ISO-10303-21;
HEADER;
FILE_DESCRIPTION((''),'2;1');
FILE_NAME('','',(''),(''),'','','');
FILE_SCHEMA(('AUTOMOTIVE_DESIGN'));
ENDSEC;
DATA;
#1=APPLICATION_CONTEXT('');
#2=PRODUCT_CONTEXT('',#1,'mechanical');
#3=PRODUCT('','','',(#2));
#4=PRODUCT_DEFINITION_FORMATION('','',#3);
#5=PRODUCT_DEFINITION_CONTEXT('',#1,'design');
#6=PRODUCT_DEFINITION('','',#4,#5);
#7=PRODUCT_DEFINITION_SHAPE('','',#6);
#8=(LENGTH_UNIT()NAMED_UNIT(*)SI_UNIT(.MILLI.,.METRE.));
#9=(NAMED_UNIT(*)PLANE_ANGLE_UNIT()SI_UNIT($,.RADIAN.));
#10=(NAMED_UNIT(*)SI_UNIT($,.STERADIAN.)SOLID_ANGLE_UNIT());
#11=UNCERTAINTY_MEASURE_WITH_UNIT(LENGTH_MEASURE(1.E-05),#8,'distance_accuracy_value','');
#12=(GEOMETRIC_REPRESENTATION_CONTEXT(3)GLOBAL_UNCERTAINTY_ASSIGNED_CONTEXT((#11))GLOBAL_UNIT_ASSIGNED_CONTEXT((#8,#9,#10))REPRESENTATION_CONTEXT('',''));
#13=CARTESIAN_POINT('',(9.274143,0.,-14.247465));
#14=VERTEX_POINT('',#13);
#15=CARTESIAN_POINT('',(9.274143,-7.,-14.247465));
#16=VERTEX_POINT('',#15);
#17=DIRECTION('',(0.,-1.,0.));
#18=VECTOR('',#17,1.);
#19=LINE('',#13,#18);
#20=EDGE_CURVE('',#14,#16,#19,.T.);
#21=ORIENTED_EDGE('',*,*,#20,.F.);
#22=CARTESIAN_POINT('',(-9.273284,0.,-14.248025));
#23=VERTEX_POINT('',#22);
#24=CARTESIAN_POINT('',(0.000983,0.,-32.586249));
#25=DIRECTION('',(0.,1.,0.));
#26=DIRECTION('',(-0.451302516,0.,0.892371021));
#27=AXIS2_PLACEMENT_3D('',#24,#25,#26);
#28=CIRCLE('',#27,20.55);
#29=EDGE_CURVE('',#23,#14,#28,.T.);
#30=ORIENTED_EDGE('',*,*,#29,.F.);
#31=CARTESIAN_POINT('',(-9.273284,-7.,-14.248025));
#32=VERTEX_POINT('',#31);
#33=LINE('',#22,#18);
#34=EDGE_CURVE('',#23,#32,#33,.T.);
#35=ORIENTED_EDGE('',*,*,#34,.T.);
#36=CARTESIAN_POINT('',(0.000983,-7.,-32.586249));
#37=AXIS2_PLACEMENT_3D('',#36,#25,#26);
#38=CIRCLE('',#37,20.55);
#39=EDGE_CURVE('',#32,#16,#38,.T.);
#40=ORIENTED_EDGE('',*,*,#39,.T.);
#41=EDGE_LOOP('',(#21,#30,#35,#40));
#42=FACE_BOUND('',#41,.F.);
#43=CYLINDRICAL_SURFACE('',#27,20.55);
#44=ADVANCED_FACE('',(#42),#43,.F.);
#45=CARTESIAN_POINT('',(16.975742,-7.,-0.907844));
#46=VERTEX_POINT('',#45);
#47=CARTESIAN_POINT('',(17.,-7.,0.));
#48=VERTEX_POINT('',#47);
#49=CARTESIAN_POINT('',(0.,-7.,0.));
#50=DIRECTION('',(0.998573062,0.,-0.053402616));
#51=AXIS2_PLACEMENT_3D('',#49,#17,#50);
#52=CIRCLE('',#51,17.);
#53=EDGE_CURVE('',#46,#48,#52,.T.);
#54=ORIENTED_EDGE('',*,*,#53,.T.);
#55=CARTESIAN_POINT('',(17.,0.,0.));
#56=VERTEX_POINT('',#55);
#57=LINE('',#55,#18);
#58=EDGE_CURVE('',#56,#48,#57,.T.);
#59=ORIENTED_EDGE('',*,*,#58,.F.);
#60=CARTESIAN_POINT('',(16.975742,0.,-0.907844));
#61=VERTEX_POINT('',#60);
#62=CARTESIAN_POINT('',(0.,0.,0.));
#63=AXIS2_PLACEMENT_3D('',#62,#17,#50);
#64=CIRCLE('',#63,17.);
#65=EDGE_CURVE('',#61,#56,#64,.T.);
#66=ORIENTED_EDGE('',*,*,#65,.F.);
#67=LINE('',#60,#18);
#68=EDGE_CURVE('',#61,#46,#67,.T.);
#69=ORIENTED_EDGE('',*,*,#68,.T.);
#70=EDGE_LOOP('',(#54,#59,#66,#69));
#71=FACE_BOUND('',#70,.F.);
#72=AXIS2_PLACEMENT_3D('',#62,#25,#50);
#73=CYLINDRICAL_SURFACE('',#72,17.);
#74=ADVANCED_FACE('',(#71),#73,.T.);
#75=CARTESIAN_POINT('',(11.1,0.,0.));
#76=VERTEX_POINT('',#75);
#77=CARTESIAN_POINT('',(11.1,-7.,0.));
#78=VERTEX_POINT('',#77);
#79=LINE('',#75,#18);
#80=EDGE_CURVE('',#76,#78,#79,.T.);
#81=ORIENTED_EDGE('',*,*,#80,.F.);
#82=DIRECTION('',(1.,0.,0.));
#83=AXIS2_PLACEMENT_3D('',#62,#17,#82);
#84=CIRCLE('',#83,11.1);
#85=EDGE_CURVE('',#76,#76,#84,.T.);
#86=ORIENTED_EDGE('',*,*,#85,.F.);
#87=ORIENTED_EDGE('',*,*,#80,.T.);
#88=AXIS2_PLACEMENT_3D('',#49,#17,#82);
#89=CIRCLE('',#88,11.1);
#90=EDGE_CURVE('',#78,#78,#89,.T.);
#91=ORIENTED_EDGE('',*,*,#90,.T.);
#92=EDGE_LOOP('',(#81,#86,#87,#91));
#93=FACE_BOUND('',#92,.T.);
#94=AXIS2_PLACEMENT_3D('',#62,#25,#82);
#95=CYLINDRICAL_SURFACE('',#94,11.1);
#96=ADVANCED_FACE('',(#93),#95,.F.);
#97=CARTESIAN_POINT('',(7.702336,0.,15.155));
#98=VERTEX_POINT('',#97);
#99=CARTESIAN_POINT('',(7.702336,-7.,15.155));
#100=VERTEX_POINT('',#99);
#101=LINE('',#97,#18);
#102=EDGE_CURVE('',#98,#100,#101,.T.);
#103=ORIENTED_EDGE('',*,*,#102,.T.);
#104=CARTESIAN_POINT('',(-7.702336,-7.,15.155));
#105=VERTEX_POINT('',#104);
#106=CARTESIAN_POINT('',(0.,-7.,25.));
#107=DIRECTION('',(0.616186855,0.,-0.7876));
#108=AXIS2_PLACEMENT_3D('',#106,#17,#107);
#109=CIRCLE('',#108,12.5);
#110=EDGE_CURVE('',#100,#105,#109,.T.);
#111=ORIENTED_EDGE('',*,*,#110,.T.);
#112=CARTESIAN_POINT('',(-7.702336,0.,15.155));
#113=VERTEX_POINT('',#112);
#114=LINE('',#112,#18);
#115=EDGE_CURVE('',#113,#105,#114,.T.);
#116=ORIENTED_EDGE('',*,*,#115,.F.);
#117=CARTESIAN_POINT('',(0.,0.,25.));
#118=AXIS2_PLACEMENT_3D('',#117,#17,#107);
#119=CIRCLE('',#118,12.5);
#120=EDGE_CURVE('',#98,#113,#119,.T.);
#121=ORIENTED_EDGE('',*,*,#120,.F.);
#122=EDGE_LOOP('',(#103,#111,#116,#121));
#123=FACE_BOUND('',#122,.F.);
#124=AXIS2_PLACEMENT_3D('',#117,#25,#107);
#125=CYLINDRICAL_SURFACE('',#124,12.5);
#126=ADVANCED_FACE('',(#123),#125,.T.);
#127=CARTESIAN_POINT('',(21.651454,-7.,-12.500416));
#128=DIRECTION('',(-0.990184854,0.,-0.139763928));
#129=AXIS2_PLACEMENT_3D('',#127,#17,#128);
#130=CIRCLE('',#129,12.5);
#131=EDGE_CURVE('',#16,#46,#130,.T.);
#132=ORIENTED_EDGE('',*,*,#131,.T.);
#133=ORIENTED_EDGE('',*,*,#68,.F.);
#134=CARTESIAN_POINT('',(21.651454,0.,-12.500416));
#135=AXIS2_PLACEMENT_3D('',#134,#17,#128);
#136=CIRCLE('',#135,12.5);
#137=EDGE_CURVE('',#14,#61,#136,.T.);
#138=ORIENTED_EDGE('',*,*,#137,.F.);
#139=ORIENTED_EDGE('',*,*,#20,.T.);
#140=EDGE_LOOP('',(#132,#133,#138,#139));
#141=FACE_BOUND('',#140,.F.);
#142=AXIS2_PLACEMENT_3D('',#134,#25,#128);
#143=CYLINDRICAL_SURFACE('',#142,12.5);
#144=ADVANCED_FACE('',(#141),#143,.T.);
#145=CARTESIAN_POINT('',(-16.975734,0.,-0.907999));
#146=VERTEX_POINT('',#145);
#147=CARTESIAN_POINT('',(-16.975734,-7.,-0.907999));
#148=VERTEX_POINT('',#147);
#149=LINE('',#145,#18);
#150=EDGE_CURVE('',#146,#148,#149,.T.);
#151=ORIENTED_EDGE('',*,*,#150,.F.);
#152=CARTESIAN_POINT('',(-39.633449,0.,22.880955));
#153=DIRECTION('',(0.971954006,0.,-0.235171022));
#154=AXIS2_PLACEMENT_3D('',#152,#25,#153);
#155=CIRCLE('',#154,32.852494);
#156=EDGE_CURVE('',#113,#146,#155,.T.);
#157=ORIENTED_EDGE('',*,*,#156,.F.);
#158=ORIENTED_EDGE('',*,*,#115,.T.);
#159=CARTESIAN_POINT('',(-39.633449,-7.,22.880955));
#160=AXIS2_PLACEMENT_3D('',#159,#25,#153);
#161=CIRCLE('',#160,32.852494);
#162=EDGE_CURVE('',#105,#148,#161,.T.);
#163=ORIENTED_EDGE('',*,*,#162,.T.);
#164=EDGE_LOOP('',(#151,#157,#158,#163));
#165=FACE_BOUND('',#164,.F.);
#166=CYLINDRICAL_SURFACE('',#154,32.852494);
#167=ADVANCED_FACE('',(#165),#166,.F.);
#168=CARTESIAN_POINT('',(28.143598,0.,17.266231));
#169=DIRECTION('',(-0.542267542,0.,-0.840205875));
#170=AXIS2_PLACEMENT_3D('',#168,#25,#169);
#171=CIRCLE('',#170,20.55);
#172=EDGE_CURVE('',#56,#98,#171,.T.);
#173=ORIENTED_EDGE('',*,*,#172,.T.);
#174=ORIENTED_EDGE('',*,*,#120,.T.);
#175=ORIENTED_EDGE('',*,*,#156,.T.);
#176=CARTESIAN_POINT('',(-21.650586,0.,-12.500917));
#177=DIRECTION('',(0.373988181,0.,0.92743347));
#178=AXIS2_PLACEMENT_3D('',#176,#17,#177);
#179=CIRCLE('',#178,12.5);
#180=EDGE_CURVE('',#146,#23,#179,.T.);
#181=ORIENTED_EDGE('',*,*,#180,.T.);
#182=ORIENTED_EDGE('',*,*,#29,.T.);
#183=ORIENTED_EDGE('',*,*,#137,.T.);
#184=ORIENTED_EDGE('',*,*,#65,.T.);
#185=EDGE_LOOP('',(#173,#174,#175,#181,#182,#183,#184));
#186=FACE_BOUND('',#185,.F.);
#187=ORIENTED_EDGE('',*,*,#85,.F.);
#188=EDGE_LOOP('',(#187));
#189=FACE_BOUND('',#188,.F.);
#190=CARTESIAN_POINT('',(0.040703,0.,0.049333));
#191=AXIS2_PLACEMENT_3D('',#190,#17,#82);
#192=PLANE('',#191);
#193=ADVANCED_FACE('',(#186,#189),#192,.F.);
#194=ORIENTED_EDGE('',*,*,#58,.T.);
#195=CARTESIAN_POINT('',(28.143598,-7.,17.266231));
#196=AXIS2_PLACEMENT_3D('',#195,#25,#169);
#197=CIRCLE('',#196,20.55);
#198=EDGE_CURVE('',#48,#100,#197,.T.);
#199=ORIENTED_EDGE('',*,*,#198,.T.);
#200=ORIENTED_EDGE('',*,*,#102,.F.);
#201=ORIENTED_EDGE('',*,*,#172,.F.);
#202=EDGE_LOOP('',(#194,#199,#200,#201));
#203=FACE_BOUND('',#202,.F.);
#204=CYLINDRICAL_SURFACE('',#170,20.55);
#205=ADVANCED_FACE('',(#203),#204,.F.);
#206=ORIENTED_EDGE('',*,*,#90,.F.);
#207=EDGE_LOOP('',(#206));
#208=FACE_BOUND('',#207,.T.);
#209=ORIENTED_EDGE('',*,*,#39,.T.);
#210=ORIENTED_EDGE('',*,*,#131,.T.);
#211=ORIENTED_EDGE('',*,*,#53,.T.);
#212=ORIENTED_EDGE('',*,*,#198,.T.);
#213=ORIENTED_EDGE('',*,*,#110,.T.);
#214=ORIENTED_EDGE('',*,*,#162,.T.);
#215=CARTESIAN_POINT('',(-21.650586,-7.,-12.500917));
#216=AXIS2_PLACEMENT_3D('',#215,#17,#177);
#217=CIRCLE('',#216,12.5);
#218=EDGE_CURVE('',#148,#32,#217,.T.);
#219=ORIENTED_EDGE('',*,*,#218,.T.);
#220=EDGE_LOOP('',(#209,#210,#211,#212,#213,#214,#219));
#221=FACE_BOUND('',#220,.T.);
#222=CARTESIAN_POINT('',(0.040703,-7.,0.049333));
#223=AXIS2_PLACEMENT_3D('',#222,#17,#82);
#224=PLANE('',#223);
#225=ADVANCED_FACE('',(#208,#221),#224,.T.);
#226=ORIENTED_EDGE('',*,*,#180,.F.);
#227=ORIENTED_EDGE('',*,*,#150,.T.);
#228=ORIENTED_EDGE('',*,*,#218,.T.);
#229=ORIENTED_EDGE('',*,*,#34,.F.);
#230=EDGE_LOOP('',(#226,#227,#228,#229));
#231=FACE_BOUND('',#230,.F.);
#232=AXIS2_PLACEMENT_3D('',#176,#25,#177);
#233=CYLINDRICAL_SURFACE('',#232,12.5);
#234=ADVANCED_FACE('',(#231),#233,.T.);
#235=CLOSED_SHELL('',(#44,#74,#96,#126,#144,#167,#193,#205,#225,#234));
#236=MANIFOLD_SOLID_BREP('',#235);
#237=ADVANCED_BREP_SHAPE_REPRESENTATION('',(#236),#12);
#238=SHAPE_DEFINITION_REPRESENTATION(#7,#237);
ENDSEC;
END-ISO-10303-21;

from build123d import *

# Parameters (mm, degrees)
F0_R     = 11.1
F1_DEPTH = 7


with BuildPart() as f1:
    # F0 (on Front) → F1 (new body)
    with BuildSketch(Plane.XZ):
        with BuildLine():
            ThreePointArc((6.2338166768, 15.8158), (0, 13.9), (-6.2338166768, 15.8158))
            ThreePointArc((-6.2338166768, 15.8158), (-6.9759049464, 15.5027981403), (-7.7023356847, 15.155))
            ThreePointArc((-7.7023356847, 15.155), (-11.1819106583, 6.4554763423), (-16.9757337999, -0.9079988747))
            ThreePointArc((-16.9757337999, -0.9079988747), (-16.9137232859, -1.71054512), (-16.8137929196, -2.5092563954))
            ThreePointArc((-16.8137929196, -2.5092563954), (-12.2458770397, -6.6041942087), (-10.5506350946, -12.5))
            ThreePointArc((-10.5506350946, -12.5), (-10.557972807, -12.9035385636), (-10.5799762428, -13.3065436046))
            ThreePointArc((-10.5799762428, -13.3065436046), (-9.9377854009, -13.7927669931), (-9.2732836372, -14.2480247959))
            ThreePointArc((-9.2732836372, -14.2480247959), (0.0003631141, -12.0362492821), (9.2741432999, -14.2474652501))
            ThreePointArc((9.2741432999, -14.2474652501), (9.9382015017, -13.79246718), (10.5799762428, -13.3065436046))
            ThreePointArc((10.5799762428, -13.3065436046), (12.0377531126, -6.95), (16.8137929196, -2.5092563954))
            ThreePointArc((16.8137929196, -2.5092563954), (16.9137310645, -1.7104682038), (16.9757420575, -0.9078444785))
            ThreePointArc((16.9757420575, -0.9078444785), (16.9939344323, -0.4540842556), (17, 0))
            ThreePointArc((17, 0), (10.6273382236, 6.5199223601), (7.7023356847, 15.155))
            ThreePointArc((7.7023356847, 15.155), (6.9759049464, 15.5027981403), (6.2338166768, 15.8158))
        make_face()
        Circle(F0_R, mode=Mode.SUBTRACT)
        with BuildLine():
            ThreePointArc((6.2338166768, 15.8158), (9.8082966185, 19.8031435036), (11.1, 25))
            ThreePointArc((11.1, 25), (-5.1968564964, 34.8082966185), (-6.2338166768, 15.8158))
            ThreePointArc((-6.2338166768, 15.8158), (0, 13.9), (6.2338166768, 15.8158))
        make_face()
        with BuildLine():
            ThreePointArc((-6.2338166768, 15.8158), (-5.1968564964, 34.8082966185), (11.1, 25))
            ThreePointArc((11.1, 25), (9.8082966185, 19.8031435036), (6.2338166768, 15.8158))
            ThreePointArc((6.2338166768, 15.8158), (6.9759049464, 15.5027981403), (7.7023356847, 15.155))
            ThreePointArc((7.7023356847, 15.155), (0, 37.5), (-7.7023356847, 15.155))
            ThreePointArc((-7.7023356847, 15.155), (-6.9759049464, 15.5027981403), (-6.2338166768, 15.8158))
        make_face()
        with BuildLine():
            ThreePointArc((-16.8137929196, -2.5092563954), (-16.9137232859, -1.71054512), (-16.9757337999, -0.9079988747))
            ThreePointArc((-16.9757337999, -0.9079988747), (-32.4756988834, -18.751271821), (-9.2732836372, -14.2480247959))
            ThreePointArc((-9.2732836372, -14.2480247959), (-9.9377854009, -13.7927669931), (-10.5799762428, -13.3065436046))
            ThreePointArc((-10.5799762428, -13.3065436046), (-31.2635170766, -18.05), (-16.8137929196, -2.5092563954))
        make_face()
        with BuildLine():
            ThreePointArc((9.2741432999, -14.2474652501), (32.4767837776, -18.7503949231), (16.9757420575, -0.9078444785))
            ThreePointArc((16.9757420575, -0.9078444785), (16.9137310645, -1.7104682038), (16.8137929196, -2.5092563954))
            ThreePointArc((16.8137929196, -2.5092563954), (27.5464408859, -3.0952419451), (32.7506350946, -12.5))
            ThreePointArc((32.7506350946, -12.5), (22.0541736582, -23.5926622876), (10.5799762428, -13.3065436046))
            ThreePointArc((10.5799762428, -13.3065436046), (9.9382015017, -13.79246718), (9.2741432999, -14.2474652501))
        make_face()
        with BuildLine():
            ThreePointArc((-10.5506350946, -12.5), (-12.2458770397, -6.6041942087), (-16.8137929196, -2.5092563954))
            ThreePointArc((-16.8137929196, -2.5092563954), (-31.2635170766, -18.05), (-10.5799762428, -13.3065436046))
            ThreePointArc((-10.5799762428, -13.3065436046), (-10.557972807, -12.9035385636), (-10.5506350946, -12.5))
        make_face()
        with BuildLine():
            ThreePointArc((32.7506350946, -12.5), (27.5464408859, -3.0952419451), (16.8137929196, -2.5092563954))
            ThreePointArc((16.8137929196, -2.5092563954), (12.0377531126, -6.95), (10.5799762428, -13.3065436046))
            ThreePointArc((10.5799762428, -13.3065436046), (22.0541736582, -23.5926622876), (32.7506350946, -12.5))
        make_face()
    extrude(amount=F1_DEPTH)


solid = f1.part
